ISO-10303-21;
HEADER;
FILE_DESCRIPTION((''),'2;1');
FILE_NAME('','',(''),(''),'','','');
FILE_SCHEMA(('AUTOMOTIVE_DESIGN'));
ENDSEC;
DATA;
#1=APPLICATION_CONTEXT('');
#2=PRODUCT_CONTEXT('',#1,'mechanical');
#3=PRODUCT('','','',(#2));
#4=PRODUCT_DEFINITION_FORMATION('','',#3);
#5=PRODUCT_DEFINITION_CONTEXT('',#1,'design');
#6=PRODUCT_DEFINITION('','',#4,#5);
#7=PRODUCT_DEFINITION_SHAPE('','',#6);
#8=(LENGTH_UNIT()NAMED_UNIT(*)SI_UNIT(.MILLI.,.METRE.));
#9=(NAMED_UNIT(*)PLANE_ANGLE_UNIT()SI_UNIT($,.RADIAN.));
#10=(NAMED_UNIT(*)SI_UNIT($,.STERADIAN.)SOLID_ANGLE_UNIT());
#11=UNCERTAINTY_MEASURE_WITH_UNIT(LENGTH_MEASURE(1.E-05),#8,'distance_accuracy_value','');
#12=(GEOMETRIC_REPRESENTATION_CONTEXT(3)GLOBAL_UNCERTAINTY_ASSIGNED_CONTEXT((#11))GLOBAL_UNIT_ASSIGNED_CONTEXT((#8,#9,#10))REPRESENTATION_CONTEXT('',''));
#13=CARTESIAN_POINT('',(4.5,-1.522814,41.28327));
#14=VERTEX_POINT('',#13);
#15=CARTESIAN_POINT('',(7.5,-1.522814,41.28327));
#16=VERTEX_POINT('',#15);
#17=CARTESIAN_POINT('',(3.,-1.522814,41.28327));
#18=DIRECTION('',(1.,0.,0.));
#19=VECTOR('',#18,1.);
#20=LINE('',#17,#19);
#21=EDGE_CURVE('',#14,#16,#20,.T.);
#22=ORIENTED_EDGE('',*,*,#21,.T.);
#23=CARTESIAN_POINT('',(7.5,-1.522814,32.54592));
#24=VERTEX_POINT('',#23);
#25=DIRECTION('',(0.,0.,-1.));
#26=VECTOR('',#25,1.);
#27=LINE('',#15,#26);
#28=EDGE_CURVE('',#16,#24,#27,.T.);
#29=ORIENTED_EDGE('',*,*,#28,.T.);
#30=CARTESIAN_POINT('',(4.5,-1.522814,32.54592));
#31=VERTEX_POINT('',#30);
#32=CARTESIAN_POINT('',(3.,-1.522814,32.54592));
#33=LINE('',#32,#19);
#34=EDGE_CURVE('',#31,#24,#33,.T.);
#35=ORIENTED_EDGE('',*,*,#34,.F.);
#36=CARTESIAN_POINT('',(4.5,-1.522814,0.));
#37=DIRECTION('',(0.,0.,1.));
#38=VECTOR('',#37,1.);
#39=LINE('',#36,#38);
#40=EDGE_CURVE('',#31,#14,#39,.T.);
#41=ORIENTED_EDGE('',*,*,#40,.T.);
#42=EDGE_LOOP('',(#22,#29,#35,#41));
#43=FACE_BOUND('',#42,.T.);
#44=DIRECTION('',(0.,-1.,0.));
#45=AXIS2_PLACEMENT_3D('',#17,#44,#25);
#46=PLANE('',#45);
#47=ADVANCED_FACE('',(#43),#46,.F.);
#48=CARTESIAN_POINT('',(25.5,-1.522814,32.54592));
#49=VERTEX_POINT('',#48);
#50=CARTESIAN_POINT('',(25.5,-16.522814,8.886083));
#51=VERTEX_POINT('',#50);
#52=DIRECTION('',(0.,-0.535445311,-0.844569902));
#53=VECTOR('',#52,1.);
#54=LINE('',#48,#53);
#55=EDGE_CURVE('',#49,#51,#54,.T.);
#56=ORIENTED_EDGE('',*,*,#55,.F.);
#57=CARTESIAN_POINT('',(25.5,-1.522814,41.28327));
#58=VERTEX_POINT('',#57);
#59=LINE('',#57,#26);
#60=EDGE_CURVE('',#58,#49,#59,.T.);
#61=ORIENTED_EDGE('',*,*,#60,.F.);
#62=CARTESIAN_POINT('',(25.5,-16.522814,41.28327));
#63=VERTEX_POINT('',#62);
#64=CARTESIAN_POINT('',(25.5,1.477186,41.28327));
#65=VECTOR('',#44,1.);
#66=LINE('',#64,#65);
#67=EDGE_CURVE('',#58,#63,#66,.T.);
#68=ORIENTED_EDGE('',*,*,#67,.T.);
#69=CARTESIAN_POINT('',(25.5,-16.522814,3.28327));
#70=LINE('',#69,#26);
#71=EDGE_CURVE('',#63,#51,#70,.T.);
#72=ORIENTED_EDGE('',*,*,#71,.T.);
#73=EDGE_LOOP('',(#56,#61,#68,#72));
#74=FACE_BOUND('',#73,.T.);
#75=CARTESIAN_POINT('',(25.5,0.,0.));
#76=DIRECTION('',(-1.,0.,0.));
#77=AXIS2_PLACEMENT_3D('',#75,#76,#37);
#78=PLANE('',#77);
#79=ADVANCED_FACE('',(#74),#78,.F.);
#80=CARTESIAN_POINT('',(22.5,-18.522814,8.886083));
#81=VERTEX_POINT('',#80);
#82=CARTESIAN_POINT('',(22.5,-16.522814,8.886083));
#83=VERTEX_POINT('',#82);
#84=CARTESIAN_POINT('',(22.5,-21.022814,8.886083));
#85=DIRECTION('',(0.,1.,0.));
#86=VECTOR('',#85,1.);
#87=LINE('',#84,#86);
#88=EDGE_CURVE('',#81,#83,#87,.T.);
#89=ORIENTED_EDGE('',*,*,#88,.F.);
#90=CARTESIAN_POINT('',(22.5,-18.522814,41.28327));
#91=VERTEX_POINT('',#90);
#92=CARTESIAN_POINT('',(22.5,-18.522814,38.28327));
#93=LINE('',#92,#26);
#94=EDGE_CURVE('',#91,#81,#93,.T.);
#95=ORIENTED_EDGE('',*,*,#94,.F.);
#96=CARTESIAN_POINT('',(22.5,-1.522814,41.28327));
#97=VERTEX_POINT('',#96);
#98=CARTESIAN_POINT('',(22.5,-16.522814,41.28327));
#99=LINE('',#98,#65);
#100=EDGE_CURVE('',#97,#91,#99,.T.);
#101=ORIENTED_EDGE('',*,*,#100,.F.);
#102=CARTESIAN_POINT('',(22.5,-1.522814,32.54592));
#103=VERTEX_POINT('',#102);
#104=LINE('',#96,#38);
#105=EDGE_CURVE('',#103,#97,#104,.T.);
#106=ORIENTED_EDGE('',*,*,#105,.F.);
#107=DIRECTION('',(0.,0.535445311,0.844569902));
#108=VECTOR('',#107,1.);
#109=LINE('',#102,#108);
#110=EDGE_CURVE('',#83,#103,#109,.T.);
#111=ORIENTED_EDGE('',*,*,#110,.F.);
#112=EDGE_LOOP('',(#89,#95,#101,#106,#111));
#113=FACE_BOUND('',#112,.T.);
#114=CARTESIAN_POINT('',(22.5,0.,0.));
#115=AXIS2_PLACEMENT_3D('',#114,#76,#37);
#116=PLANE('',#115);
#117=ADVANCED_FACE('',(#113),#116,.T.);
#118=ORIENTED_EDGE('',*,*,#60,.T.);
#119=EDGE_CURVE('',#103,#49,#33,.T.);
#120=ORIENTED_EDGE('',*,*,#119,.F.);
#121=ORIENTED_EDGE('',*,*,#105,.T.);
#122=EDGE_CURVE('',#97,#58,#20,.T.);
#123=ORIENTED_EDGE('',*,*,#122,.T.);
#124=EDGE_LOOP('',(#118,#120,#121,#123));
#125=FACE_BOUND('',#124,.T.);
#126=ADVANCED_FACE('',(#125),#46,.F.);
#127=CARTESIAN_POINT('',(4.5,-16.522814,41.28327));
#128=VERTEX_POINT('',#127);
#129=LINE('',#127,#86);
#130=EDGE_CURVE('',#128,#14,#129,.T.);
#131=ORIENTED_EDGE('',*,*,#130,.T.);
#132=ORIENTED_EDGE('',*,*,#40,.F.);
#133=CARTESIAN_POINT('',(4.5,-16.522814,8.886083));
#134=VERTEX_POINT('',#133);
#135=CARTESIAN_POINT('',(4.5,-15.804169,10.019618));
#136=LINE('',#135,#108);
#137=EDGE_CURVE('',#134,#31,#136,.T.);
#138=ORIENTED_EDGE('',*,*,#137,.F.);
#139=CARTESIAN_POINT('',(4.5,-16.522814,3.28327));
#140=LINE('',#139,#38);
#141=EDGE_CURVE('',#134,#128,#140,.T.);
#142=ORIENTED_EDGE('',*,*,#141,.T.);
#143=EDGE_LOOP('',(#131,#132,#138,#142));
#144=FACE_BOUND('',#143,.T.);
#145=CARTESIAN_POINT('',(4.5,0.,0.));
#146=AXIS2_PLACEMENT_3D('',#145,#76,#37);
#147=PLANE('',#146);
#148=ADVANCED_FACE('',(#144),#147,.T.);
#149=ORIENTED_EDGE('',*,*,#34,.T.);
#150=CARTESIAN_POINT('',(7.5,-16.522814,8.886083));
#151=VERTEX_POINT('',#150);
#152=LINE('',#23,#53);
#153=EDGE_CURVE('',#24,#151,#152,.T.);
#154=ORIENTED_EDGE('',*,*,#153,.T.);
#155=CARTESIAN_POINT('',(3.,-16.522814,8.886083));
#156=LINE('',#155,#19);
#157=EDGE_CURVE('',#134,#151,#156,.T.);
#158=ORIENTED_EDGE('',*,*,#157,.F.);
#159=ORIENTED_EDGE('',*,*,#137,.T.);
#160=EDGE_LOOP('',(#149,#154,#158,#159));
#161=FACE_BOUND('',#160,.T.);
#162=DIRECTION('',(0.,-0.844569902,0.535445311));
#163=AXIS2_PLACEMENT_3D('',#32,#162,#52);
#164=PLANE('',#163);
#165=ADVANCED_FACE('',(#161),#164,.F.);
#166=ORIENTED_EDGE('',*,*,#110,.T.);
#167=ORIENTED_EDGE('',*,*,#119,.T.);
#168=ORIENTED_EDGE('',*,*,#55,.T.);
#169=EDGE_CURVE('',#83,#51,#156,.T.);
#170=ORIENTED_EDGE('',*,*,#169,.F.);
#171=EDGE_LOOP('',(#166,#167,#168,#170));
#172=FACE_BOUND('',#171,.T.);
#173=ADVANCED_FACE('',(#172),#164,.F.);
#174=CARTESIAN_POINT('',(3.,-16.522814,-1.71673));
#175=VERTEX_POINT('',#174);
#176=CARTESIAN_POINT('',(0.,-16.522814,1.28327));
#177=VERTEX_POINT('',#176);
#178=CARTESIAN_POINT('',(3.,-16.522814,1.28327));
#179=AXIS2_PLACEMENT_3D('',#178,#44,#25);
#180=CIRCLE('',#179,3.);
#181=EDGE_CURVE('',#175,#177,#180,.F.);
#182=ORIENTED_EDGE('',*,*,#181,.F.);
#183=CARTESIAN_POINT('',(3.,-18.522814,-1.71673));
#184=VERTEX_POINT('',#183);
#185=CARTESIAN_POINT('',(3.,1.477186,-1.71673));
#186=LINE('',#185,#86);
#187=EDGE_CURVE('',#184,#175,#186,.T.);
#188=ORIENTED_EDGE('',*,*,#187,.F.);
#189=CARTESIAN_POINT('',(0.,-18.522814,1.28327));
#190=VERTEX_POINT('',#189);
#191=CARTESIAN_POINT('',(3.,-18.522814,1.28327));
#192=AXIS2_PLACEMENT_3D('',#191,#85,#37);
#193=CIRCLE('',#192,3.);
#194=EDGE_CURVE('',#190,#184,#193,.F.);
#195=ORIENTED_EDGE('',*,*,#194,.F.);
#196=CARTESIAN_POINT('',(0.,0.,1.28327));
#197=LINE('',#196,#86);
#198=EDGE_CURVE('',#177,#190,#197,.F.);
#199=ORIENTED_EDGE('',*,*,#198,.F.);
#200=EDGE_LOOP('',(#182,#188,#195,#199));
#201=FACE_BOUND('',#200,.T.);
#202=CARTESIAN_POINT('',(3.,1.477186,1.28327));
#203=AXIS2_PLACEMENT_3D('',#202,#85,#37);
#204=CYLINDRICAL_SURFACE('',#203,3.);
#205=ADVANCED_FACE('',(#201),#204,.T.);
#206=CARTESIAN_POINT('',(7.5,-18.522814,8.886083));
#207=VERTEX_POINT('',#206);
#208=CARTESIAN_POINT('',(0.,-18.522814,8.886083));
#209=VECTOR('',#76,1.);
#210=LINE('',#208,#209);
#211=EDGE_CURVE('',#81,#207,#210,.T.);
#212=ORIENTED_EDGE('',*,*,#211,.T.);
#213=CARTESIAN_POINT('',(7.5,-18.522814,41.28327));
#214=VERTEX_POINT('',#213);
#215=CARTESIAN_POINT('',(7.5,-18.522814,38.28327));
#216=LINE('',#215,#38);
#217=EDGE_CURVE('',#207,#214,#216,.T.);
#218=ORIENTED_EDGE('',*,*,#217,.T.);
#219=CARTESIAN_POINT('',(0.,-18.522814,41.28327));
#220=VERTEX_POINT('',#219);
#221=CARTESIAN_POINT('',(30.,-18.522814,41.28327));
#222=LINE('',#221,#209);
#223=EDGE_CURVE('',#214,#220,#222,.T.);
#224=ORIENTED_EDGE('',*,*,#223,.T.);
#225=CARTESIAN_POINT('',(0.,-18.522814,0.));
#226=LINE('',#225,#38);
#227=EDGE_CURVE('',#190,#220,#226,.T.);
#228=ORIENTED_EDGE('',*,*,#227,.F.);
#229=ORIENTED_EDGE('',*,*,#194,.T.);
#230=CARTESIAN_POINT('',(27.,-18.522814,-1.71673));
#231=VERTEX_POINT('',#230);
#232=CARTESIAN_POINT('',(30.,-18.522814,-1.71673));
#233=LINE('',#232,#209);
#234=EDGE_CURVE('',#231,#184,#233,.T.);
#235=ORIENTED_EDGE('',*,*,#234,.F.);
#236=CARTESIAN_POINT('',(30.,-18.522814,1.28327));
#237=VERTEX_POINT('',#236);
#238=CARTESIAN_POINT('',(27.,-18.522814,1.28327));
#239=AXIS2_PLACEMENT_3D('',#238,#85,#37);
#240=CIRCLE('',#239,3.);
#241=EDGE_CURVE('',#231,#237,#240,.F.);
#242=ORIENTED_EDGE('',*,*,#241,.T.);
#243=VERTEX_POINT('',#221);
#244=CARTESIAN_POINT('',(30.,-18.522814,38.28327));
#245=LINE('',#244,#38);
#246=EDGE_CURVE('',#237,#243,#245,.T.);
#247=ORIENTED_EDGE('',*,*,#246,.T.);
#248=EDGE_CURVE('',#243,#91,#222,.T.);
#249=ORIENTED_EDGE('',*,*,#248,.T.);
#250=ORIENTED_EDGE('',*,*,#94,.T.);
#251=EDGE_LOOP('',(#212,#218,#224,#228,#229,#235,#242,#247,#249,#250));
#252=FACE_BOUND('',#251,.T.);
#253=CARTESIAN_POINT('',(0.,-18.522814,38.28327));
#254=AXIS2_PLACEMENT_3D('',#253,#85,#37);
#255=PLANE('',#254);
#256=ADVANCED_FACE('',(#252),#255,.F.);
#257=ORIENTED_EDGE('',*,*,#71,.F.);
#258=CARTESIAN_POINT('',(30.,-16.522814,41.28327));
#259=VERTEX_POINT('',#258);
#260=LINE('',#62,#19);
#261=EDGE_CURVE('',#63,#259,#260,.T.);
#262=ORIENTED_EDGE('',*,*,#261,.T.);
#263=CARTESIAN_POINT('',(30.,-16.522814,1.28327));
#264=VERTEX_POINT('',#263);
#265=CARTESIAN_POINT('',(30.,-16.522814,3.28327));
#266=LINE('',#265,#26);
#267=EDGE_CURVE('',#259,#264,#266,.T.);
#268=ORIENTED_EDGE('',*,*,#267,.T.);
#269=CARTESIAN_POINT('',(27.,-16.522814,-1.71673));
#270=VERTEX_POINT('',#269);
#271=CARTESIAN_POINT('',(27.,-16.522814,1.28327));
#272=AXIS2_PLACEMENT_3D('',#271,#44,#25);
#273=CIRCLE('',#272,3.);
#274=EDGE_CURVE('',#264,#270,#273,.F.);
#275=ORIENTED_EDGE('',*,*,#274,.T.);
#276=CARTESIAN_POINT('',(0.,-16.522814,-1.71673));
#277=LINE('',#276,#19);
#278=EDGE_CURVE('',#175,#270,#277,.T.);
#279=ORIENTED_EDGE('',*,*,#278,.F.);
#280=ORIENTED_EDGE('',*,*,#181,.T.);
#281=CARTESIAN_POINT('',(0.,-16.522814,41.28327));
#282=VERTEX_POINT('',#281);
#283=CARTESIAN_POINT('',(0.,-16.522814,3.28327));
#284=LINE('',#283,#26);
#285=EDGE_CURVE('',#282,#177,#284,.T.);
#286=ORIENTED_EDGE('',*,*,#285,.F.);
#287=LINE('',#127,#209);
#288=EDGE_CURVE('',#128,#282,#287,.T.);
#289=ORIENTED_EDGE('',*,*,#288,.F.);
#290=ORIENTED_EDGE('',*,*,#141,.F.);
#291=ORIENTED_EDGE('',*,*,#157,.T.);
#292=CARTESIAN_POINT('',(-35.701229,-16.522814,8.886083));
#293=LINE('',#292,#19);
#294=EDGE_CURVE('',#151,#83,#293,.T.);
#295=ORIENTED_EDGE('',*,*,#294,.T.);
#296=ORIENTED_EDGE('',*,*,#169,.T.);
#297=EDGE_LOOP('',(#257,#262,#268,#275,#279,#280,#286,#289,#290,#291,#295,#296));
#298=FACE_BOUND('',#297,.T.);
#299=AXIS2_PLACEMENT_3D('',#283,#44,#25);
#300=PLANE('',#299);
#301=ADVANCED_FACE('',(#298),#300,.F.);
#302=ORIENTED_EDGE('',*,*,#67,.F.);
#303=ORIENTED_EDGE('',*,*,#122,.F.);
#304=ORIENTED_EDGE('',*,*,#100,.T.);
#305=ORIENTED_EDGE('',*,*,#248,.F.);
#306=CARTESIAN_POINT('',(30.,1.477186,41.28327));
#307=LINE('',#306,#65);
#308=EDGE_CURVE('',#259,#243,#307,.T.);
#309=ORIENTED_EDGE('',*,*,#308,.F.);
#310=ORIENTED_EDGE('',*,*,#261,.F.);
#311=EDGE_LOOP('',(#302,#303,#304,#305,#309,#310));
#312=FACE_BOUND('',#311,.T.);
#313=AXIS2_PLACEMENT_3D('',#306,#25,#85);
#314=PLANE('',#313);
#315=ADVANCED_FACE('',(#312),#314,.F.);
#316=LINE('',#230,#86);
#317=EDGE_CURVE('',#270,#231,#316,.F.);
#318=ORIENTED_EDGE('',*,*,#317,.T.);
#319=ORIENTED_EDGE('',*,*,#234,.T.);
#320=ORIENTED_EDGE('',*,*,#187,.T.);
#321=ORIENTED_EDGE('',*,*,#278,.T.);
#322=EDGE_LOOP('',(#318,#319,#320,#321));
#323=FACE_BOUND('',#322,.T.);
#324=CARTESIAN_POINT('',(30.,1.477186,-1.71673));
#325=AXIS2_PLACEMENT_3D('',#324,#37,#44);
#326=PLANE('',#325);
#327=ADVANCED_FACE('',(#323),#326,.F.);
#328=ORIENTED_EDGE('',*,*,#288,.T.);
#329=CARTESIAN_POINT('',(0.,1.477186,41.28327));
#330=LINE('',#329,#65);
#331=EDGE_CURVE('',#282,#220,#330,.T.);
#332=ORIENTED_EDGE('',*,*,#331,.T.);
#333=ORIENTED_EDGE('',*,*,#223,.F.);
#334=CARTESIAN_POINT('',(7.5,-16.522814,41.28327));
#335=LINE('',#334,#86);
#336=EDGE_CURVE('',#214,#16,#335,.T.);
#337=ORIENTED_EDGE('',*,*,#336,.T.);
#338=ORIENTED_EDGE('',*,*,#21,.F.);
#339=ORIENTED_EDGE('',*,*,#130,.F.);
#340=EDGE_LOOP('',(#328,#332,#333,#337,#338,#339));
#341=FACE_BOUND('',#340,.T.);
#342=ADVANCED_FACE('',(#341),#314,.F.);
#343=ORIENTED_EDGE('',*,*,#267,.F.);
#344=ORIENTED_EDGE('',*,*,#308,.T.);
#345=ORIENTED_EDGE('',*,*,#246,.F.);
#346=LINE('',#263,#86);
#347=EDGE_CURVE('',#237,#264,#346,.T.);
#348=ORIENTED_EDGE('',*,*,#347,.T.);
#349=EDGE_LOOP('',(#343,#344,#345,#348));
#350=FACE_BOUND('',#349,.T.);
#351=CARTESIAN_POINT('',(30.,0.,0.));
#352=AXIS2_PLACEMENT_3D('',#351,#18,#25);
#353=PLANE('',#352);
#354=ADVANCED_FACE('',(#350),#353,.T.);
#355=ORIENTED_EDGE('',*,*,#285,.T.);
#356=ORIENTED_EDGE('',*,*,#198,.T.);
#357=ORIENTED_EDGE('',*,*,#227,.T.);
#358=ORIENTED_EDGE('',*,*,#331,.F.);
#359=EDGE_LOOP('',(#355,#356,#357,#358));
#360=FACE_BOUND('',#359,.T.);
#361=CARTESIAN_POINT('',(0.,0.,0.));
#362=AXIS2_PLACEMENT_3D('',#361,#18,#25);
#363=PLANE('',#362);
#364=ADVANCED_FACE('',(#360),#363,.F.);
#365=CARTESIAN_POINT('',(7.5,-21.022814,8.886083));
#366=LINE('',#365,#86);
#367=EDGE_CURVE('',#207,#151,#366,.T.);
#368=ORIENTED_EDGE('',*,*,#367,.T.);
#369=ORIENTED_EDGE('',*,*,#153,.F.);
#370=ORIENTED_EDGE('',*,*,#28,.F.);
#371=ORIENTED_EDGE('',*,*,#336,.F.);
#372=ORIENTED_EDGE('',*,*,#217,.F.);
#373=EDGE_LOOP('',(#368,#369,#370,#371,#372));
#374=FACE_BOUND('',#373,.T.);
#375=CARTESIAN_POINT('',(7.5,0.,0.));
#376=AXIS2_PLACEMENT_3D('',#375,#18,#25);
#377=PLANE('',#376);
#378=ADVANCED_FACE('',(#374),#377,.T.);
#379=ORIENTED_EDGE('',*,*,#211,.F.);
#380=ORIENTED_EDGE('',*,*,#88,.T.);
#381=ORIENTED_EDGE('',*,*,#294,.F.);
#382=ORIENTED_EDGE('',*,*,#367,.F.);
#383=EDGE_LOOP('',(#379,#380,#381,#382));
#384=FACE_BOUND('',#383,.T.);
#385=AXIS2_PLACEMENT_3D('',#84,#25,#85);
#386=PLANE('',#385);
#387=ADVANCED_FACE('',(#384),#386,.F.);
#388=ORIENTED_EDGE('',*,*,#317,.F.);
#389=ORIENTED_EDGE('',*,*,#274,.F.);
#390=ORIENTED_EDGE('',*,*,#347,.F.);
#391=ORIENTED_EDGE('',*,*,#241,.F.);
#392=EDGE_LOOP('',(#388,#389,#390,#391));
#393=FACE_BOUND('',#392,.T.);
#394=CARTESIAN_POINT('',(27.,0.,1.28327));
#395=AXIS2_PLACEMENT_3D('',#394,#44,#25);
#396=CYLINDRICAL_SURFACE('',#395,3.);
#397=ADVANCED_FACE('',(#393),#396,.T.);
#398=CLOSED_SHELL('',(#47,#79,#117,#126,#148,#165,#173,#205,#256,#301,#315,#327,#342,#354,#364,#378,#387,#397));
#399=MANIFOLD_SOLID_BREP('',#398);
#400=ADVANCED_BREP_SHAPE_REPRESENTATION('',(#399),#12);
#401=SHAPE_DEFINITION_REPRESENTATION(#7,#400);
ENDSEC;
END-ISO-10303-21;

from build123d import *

# Parameters (mm, degrees)
CROQUIS2_W              = 43
CROQUIS2_H              = 30
SALIENTE_EXTRUIR1_DEPTH = 30
CROQUIS3_W              = 42.529407755
CROQUIS3_H              = 25.558495791
CORTAR_EXTRUIR1_DEPTH   = 30
CORTAR_EXTRUIR2_START   = -7.5
CORTAR_EXTRUIR2_DEPTH   = 15
CORTAR_EXTRUIR4_DEPTH   = 4.5
CORTAR_EXTRUIR5_DEPTH   = 4.5
REDONDEO1_R             = 3
CROQUIS8_W              = 15
CROQUIS8_H              = 32.397186909
CORTAR_EXTRUIR6_DEPTH   = 4.5
CROQUIS9_W              = 120.283196461
CROQUIS9_H              = 78.810135234
CORTAR_EXTRUIR7_DEPTH   = 22.5
CORTAR_EXTRUIR8_DEPTH   = 22.5


with BuildPart() as part:
    # Croquis2 → Saliente-Extruir1 (new body)
    with BuildSketch(Plane(origin=(0, 0, 0), x_dir=(0, 0, -1), z_dir=(1, 0, 0))):
        with Locations((-19.783269962, -13.522813688)):
            Rectangle(CROQUIS2_W, CROQUIS2_H)
    extrude(amount=SALIENTE_EXTRUIR1_DEPTH)

    # Croquis3 → Cortar-Extruir1 (cut)
    with BuildSketch(Plane(origin=(30, 0, 0), x_dir=(0, 0, -1), z_dir=(1, 0, 0))):
        with Locations((-17.018566085, -31.302061584)):
            Rectangle(CROQUIS3_W, CROQUIS3_H)
        Polygon((-31.675073764, 1.477186312), (-3.283269962, -16.522813688), (1.716730038, -16.522813688), (1.716730038, 1.477186312), align=None)
    extrude(amount=-CORTAR_EXTRUIR1_DEPTH, mode=Mode.SUBTRACT)

    # Croquis4 → Cortar-Extruir2 (cut)
    with BuildSketch(Plane(origin=(30, 0, 0), x_dir=(0, 0, -1), z_dir=(1, 0, 0)).offset(CORTAR_EXTRUIR2_START)):
        Polygon((-41.283269962, -1.522813688), (-32.545919554, -1.522813688), (-8.886083053, -16.522813688), (-41.283269962, -16.522813688), align=None)
    extrude(amount=-CORTAR_EXTRUIR2_DEPTH, mode=Mode.SUBTRACT)

    # Croquis5 → Cortar-Extruir4 (cut)
    with BuildSketch(Plane(origin=(30, 0, 0), x_dir=(0, 0, -1), z_dir=(1, 0, 0))):
        Polygon((-3.283269962, -16.522813688), (-41.283269962, -16.522813688), (-41.283269962, 1.477186312), (-31.675073764, 1.477186312), align=None)
    extrude(amount=-CORTAR_EXTRUIR4_DEPTH, mode=Mode.SUBTRACT)

    # Croquis6 → Cortar-Extruir5 (cut)
    with BuildSketch(Plane.ZY):
        Polygon((3.283269962, -16.522813688), (41.283269962, -16.522813688), (41.283269962, 1.477186312), (31.675073764, 1.477186312), align=None)
    extrude(amount=-CORTAR_EXTRUIR5_DEPTH, mode=Mode.SUBTRACT)

    # Redondeo1
    redondeo1_edges = [part.edges().sort_by_distance(p)[0] for p in [
        (0, -17.522813688, -1.716730038),
        (30, -17.522813688, -1.716730038),
    ]]
    fillet(redondeo1_edges, radius=REDONDEO1_R)

    # Croquis8 → Cortar-Extruir6 (cut)
    with BuildSketch(Plane(origin=(0, -16.522813688, 0), x_dir=(1, 0, 0), z_dir=(0, 1, 0))):
        with Locations((15, -25.084676508)):
            Rectangle(CROQUIS8_W, CROQUIS8_H)
    extrude(amount=-CORTAR_EXTRUIR6_DEPTH, mode=Mode.SUBTRACT)

    # Croquis9 → Cortar-Extruir7 (cut)
    with BuildSketch(Plane.XZ.offset(18.522813688)):
        with Locations((17.6156444, 62.089659259)):
            Rectangle(CROQUIS9_W, CROQUIS9_H)
    extrude(amount=CORTAR_EXTRUIR7_DEPTH, mode=Mode.SUBTRACT)

    # Croquis10 → Cortar-Extruir8 (cut)
    with BuildSketch(Plane(origin=(25.5, 0, 0), x_dir=(0, 0, -1), z_dir=(1, 0, 0))):
        Polygon((-41.283269962, -1.522813688), (-32.545919554, -1.522813688), (-8.886083053, -16.522813688), (1.716730038, -16.522813688), (-27.710183608, 4.902177411), (-44.228495628, 5.2702735), align=None)
    extrude(amount=-CORTAR_EXTRUIR8_DEPTH, mode=Mode.SUBTRACT)


solid = part.part
